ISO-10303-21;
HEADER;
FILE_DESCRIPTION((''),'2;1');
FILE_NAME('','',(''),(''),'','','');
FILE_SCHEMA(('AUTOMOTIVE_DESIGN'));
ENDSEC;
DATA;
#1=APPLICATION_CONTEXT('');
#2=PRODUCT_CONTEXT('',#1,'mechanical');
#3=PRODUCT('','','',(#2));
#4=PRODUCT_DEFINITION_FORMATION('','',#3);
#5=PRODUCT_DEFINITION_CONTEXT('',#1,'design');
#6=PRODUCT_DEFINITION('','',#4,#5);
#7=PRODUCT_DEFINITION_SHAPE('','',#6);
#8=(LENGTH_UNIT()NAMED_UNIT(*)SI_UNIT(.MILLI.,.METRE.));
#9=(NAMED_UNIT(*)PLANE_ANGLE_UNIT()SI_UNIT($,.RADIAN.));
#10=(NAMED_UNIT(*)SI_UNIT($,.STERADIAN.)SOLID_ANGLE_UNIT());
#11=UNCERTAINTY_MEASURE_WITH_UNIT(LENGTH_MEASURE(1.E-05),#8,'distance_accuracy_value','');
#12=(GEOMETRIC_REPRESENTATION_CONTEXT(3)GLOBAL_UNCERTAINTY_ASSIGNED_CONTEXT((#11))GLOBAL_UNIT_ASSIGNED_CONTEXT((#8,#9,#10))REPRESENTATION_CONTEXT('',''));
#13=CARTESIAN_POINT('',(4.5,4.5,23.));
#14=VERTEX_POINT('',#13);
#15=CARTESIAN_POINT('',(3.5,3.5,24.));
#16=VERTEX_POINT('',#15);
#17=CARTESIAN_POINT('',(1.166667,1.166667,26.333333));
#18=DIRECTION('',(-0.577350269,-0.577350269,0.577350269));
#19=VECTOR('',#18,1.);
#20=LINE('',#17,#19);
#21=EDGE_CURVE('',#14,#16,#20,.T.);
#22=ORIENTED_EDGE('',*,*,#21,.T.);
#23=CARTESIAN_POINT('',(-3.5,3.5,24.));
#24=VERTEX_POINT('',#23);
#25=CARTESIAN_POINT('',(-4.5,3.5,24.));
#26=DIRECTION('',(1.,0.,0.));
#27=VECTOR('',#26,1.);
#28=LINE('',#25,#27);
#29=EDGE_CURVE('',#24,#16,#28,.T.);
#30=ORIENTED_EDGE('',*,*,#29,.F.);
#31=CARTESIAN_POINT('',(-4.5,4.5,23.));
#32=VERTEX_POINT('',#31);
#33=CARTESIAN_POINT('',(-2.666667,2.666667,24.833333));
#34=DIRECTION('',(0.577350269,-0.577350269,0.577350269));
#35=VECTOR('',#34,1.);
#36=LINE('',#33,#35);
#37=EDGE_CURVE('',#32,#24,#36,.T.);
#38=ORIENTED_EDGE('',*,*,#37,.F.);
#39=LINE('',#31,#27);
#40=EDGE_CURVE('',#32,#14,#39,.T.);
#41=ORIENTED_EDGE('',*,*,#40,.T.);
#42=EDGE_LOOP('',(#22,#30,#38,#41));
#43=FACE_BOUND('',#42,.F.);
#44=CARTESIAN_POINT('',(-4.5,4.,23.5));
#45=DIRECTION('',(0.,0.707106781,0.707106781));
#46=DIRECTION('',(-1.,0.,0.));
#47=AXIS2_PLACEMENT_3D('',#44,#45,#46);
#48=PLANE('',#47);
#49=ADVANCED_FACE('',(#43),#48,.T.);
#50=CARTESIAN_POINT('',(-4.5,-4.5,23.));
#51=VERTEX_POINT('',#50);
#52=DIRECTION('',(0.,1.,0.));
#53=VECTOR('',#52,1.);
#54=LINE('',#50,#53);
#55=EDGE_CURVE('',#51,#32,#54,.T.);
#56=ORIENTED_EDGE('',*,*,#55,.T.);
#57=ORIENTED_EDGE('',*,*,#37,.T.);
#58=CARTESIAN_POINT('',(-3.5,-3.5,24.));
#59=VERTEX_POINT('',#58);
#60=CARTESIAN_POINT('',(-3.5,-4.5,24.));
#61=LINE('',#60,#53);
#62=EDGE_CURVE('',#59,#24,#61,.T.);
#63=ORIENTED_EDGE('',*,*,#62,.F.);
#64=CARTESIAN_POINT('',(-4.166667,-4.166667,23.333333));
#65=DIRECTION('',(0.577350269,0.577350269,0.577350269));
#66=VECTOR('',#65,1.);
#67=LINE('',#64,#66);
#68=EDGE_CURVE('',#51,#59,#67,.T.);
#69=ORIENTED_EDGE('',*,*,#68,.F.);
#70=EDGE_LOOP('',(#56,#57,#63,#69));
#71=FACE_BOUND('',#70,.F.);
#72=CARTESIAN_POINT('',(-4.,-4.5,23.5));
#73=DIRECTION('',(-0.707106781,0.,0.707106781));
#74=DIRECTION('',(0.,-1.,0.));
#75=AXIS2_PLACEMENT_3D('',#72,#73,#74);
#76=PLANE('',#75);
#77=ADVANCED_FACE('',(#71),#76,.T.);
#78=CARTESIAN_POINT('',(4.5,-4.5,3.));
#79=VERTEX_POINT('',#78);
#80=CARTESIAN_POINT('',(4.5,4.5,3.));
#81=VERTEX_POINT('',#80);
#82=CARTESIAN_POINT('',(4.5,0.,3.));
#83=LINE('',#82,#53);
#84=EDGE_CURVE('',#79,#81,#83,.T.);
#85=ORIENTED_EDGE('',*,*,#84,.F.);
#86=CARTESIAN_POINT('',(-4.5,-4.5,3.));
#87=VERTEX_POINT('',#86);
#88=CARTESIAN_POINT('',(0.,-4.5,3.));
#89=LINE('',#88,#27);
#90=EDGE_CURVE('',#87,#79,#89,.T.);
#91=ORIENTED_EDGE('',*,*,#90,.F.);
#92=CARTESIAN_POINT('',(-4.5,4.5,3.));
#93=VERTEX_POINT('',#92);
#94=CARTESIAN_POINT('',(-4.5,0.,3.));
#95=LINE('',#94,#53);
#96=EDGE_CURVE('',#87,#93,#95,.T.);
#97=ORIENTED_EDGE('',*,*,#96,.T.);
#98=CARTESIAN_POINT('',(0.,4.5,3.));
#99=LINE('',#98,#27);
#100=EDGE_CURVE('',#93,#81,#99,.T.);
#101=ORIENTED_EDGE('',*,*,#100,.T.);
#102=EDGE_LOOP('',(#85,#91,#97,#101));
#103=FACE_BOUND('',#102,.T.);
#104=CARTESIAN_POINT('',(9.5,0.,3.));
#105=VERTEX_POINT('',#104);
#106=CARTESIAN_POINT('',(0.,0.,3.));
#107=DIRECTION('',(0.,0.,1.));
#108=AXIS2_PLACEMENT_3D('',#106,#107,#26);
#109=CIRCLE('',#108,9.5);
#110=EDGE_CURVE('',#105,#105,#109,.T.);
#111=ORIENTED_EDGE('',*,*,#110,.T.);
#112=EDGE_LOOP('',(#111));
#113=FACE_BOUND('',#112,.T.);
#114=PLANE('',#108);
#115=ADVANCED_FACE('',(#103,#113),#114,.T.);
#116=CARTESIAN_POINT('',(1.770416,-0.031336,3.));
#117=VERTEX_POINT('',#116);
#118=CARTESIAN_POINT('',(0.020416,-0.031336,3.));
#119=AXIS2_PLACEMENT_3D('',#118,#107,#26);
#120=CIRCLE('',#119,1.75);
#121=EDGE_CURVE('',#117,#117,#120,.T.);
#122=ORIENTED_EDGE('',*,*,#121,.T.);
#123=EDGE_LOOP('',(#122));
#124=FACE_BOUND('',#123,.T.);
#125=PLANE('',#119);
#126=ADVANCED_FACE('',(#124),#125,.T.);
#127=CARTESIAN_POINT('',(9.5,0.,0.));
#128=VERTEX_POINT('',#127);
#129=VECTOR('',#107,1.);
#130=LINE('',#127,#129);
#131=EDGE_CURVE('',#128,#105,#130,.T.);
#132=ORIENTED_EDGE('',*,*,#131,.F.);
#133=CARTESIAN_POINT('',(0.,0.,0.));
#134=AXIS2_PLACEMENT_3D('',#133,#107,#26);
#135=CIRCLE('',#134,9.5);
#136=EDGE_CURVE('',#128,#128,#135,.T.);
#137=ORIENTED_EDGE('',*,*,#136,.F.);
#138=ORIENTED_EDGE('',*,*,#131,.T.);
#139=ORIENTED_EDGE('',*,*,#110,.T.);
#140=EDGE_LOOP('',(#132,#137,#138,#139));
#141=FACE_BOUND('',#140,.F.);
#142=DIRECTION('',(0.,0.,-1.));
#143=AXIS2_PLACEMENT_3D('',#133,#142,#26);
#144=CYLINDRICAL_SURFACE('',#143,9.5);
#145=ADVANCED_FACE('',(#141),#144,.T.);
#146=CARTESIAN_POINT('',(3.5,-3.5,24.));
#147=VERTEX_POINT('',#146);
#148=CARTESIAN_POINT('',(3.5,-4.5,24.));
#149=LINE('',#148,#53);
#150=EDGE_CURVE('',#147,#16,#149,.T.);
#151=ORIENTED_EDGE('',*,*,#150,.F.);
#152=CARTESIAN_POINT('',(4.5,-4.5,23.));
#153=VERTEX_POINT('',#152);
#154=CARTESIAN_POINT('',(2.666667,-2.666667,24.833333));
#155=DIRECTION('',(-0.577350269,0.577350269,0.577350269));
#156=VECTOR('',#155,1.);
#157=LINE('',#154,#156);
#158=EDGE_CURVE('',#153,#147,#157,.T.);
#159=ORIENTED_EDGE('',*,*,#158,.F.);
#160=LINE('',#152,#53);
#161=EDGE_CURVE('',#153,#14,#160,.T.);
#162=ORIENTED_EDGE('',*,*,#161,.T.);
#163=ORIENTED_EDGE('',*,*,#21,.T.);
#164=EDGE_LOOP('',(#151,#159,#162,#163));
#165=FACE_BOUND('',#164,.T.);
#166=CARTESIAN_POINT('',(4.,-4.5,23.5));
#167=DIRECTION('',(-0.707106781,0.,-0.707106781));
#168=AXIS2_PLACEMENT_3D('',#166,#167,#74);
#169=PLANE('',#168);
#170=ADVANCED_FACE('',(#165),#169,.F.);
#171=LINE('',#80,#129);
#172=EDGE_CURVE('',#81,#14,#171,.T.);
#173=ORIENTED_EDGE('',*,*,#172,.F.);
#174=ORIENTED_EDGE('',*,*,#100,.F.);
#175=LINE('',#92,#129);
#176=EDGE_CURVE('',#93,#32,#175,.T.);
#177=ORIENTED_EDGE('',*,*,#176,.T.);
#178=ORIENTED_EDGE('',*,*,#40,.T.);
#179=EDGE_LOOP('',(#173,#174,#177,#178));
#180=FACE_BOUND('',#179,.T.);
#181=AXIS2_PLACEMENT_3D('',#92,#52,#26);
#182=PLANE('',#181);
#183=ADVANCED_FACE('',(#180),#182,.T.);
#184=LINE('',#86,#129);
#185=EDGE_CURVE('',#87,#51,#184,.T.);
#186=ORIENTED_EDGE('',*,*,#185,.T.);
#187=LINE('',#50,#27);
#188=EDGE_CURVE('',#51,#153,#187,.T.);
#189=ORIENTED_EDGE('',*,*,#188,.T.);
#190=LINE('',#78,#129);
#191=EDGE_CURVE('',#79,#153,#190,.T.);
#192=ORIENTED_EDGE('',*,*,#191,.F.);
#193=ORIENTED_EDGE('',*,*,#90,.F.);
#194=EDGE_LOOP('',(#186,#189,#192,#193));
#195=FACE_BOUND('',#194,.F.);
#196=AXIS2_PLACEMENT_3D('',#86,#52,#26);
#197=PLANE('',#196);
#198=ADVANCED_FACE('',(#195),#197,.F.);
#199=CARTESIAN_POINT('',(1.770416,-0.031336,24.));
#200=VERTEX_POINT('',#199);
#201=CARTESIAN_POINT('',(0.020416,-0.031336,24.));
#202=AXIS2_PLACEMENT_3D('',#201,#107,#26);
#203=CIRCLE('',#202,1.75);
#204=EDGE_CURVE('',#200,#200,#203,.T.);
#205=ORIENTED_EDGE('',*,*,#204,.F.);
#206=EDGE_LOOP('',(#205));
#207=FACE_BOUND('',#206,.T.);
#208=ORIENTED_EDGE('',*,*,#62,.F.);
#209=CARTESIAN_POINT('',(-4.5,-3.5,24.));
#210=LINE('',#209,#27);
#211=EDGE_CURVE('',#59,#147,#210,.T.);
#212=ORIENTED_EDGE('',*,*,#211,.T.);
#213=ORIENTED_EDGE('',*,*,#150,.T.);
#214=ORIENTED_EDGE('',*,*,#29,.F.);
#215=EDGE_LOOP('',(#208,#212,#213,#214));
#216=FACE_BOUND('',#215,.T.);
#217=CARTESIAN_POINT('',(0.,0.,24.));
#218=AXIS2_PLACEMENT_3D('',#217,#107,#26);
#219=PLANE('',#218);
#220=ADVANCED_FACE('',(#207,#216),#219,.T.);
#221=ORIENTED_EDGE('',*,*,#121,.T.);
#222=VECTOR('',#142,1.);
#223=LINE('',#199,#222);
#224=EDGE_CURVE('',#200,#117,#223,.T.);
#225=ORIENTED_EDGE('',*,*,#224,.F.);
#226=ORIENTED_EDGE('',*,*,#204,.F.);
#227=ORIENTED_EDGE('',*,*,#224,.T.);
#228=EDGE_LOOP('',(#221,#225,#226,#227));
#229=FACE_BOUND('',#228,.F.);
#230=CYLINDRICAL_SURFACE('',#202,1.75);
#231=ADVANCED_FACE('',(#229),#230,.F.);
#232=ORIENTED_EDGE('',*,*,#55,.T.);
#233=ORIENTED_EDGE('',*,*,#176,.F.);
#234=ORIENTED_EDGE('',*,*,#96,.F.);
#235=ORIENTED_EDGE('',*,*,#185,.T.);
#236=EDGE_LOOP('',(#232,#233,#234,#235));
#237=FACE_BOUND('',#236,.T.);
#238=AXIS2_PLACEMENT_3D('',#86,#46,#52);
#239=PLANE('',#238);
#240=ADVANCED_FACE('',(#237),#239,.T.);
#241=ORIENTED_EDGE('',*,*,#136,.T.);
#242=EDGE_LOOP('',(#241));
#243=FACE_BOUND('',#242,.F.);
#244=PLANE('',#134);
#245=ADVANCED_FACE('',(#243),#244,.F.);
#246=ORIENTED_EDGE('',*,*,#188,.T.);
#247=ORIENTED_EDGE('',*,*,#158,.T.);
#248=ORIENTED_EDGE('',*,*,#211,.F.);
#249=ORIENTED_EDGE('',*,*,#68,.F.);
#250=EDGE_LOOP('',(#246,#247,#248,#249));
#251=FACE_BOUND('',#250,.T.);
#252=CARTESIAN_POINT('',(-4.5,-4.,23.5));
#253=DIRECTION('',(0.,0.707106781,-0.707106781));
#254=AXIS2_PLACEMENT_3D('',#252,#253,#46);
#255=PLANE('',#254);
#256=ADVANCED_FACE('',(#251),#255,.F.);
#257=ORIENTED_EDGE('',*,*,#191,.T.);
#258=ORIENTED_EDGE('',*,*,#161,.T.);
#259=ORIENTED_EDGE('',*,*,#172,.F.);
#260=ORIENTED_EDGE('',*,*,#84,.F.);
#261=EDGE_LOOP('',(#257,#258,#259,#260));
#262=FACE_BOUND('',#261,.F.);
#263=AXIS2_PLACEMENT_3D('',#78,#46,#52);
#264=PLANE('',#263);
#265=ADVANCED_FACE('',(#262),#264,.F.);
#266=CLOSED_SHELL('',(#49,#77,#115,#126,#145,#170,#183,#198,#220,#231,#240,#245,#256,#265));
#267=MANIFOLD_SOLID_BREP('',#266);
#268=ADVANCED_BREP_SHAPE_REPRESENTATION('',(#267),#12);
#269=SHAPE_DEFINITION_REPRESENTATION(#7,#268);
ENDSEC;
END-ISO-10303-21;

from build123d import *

# Parameters (mm, degrees)
SKETCH_R     = 9.5
PAD_DEPTH    = 3
SKETCH002_W  = 9
SKETCH002_H  = 9
PAD001_DEPTH = 21
CHAMFER_SIZE = 1
SKETCH003_R  = 1.75
POCKET_DEPTH = 21


with BuildPart() as part:
    # Sketch → Pad (new body)
    with BuildSketch(Plane.XY):
        Circle(SKETCH_R)
    extrude(amount=PAD_DEPTH)

    # Sketch002 (on Face3 of Pad) → Pad001 (join)
    with BuildSketch(Plane.XY.offset(3)):
        Rectangle(SKETCH002_W, SKETCH002_H)
    extrude(amount=PAD001_DEPTH)

    # Chamfer
    chamfer_edges = [part.edges().sort_by_distance(p)[0] for p in [
        (0, 4.5, 24),
        (-4.5, 0, 24),
        (0, -4.5, 24),
        (4.5, 0, 24),
    ]]
    chamfer(chamfer_edges, length=CHAMFER_SIZE)

    # Sketch003 (on Face8 of Chamfer) → Pocket (cut)
    with BuildSketch(Plane.XY.offset(24)):
        with Locations((0.020416, -0.031336)):
            Circle(SKETCH003_R)
    extrude(amount=-POCKET_DEPTH, mode=Mode.SUBTRACT)


solid = part.part
